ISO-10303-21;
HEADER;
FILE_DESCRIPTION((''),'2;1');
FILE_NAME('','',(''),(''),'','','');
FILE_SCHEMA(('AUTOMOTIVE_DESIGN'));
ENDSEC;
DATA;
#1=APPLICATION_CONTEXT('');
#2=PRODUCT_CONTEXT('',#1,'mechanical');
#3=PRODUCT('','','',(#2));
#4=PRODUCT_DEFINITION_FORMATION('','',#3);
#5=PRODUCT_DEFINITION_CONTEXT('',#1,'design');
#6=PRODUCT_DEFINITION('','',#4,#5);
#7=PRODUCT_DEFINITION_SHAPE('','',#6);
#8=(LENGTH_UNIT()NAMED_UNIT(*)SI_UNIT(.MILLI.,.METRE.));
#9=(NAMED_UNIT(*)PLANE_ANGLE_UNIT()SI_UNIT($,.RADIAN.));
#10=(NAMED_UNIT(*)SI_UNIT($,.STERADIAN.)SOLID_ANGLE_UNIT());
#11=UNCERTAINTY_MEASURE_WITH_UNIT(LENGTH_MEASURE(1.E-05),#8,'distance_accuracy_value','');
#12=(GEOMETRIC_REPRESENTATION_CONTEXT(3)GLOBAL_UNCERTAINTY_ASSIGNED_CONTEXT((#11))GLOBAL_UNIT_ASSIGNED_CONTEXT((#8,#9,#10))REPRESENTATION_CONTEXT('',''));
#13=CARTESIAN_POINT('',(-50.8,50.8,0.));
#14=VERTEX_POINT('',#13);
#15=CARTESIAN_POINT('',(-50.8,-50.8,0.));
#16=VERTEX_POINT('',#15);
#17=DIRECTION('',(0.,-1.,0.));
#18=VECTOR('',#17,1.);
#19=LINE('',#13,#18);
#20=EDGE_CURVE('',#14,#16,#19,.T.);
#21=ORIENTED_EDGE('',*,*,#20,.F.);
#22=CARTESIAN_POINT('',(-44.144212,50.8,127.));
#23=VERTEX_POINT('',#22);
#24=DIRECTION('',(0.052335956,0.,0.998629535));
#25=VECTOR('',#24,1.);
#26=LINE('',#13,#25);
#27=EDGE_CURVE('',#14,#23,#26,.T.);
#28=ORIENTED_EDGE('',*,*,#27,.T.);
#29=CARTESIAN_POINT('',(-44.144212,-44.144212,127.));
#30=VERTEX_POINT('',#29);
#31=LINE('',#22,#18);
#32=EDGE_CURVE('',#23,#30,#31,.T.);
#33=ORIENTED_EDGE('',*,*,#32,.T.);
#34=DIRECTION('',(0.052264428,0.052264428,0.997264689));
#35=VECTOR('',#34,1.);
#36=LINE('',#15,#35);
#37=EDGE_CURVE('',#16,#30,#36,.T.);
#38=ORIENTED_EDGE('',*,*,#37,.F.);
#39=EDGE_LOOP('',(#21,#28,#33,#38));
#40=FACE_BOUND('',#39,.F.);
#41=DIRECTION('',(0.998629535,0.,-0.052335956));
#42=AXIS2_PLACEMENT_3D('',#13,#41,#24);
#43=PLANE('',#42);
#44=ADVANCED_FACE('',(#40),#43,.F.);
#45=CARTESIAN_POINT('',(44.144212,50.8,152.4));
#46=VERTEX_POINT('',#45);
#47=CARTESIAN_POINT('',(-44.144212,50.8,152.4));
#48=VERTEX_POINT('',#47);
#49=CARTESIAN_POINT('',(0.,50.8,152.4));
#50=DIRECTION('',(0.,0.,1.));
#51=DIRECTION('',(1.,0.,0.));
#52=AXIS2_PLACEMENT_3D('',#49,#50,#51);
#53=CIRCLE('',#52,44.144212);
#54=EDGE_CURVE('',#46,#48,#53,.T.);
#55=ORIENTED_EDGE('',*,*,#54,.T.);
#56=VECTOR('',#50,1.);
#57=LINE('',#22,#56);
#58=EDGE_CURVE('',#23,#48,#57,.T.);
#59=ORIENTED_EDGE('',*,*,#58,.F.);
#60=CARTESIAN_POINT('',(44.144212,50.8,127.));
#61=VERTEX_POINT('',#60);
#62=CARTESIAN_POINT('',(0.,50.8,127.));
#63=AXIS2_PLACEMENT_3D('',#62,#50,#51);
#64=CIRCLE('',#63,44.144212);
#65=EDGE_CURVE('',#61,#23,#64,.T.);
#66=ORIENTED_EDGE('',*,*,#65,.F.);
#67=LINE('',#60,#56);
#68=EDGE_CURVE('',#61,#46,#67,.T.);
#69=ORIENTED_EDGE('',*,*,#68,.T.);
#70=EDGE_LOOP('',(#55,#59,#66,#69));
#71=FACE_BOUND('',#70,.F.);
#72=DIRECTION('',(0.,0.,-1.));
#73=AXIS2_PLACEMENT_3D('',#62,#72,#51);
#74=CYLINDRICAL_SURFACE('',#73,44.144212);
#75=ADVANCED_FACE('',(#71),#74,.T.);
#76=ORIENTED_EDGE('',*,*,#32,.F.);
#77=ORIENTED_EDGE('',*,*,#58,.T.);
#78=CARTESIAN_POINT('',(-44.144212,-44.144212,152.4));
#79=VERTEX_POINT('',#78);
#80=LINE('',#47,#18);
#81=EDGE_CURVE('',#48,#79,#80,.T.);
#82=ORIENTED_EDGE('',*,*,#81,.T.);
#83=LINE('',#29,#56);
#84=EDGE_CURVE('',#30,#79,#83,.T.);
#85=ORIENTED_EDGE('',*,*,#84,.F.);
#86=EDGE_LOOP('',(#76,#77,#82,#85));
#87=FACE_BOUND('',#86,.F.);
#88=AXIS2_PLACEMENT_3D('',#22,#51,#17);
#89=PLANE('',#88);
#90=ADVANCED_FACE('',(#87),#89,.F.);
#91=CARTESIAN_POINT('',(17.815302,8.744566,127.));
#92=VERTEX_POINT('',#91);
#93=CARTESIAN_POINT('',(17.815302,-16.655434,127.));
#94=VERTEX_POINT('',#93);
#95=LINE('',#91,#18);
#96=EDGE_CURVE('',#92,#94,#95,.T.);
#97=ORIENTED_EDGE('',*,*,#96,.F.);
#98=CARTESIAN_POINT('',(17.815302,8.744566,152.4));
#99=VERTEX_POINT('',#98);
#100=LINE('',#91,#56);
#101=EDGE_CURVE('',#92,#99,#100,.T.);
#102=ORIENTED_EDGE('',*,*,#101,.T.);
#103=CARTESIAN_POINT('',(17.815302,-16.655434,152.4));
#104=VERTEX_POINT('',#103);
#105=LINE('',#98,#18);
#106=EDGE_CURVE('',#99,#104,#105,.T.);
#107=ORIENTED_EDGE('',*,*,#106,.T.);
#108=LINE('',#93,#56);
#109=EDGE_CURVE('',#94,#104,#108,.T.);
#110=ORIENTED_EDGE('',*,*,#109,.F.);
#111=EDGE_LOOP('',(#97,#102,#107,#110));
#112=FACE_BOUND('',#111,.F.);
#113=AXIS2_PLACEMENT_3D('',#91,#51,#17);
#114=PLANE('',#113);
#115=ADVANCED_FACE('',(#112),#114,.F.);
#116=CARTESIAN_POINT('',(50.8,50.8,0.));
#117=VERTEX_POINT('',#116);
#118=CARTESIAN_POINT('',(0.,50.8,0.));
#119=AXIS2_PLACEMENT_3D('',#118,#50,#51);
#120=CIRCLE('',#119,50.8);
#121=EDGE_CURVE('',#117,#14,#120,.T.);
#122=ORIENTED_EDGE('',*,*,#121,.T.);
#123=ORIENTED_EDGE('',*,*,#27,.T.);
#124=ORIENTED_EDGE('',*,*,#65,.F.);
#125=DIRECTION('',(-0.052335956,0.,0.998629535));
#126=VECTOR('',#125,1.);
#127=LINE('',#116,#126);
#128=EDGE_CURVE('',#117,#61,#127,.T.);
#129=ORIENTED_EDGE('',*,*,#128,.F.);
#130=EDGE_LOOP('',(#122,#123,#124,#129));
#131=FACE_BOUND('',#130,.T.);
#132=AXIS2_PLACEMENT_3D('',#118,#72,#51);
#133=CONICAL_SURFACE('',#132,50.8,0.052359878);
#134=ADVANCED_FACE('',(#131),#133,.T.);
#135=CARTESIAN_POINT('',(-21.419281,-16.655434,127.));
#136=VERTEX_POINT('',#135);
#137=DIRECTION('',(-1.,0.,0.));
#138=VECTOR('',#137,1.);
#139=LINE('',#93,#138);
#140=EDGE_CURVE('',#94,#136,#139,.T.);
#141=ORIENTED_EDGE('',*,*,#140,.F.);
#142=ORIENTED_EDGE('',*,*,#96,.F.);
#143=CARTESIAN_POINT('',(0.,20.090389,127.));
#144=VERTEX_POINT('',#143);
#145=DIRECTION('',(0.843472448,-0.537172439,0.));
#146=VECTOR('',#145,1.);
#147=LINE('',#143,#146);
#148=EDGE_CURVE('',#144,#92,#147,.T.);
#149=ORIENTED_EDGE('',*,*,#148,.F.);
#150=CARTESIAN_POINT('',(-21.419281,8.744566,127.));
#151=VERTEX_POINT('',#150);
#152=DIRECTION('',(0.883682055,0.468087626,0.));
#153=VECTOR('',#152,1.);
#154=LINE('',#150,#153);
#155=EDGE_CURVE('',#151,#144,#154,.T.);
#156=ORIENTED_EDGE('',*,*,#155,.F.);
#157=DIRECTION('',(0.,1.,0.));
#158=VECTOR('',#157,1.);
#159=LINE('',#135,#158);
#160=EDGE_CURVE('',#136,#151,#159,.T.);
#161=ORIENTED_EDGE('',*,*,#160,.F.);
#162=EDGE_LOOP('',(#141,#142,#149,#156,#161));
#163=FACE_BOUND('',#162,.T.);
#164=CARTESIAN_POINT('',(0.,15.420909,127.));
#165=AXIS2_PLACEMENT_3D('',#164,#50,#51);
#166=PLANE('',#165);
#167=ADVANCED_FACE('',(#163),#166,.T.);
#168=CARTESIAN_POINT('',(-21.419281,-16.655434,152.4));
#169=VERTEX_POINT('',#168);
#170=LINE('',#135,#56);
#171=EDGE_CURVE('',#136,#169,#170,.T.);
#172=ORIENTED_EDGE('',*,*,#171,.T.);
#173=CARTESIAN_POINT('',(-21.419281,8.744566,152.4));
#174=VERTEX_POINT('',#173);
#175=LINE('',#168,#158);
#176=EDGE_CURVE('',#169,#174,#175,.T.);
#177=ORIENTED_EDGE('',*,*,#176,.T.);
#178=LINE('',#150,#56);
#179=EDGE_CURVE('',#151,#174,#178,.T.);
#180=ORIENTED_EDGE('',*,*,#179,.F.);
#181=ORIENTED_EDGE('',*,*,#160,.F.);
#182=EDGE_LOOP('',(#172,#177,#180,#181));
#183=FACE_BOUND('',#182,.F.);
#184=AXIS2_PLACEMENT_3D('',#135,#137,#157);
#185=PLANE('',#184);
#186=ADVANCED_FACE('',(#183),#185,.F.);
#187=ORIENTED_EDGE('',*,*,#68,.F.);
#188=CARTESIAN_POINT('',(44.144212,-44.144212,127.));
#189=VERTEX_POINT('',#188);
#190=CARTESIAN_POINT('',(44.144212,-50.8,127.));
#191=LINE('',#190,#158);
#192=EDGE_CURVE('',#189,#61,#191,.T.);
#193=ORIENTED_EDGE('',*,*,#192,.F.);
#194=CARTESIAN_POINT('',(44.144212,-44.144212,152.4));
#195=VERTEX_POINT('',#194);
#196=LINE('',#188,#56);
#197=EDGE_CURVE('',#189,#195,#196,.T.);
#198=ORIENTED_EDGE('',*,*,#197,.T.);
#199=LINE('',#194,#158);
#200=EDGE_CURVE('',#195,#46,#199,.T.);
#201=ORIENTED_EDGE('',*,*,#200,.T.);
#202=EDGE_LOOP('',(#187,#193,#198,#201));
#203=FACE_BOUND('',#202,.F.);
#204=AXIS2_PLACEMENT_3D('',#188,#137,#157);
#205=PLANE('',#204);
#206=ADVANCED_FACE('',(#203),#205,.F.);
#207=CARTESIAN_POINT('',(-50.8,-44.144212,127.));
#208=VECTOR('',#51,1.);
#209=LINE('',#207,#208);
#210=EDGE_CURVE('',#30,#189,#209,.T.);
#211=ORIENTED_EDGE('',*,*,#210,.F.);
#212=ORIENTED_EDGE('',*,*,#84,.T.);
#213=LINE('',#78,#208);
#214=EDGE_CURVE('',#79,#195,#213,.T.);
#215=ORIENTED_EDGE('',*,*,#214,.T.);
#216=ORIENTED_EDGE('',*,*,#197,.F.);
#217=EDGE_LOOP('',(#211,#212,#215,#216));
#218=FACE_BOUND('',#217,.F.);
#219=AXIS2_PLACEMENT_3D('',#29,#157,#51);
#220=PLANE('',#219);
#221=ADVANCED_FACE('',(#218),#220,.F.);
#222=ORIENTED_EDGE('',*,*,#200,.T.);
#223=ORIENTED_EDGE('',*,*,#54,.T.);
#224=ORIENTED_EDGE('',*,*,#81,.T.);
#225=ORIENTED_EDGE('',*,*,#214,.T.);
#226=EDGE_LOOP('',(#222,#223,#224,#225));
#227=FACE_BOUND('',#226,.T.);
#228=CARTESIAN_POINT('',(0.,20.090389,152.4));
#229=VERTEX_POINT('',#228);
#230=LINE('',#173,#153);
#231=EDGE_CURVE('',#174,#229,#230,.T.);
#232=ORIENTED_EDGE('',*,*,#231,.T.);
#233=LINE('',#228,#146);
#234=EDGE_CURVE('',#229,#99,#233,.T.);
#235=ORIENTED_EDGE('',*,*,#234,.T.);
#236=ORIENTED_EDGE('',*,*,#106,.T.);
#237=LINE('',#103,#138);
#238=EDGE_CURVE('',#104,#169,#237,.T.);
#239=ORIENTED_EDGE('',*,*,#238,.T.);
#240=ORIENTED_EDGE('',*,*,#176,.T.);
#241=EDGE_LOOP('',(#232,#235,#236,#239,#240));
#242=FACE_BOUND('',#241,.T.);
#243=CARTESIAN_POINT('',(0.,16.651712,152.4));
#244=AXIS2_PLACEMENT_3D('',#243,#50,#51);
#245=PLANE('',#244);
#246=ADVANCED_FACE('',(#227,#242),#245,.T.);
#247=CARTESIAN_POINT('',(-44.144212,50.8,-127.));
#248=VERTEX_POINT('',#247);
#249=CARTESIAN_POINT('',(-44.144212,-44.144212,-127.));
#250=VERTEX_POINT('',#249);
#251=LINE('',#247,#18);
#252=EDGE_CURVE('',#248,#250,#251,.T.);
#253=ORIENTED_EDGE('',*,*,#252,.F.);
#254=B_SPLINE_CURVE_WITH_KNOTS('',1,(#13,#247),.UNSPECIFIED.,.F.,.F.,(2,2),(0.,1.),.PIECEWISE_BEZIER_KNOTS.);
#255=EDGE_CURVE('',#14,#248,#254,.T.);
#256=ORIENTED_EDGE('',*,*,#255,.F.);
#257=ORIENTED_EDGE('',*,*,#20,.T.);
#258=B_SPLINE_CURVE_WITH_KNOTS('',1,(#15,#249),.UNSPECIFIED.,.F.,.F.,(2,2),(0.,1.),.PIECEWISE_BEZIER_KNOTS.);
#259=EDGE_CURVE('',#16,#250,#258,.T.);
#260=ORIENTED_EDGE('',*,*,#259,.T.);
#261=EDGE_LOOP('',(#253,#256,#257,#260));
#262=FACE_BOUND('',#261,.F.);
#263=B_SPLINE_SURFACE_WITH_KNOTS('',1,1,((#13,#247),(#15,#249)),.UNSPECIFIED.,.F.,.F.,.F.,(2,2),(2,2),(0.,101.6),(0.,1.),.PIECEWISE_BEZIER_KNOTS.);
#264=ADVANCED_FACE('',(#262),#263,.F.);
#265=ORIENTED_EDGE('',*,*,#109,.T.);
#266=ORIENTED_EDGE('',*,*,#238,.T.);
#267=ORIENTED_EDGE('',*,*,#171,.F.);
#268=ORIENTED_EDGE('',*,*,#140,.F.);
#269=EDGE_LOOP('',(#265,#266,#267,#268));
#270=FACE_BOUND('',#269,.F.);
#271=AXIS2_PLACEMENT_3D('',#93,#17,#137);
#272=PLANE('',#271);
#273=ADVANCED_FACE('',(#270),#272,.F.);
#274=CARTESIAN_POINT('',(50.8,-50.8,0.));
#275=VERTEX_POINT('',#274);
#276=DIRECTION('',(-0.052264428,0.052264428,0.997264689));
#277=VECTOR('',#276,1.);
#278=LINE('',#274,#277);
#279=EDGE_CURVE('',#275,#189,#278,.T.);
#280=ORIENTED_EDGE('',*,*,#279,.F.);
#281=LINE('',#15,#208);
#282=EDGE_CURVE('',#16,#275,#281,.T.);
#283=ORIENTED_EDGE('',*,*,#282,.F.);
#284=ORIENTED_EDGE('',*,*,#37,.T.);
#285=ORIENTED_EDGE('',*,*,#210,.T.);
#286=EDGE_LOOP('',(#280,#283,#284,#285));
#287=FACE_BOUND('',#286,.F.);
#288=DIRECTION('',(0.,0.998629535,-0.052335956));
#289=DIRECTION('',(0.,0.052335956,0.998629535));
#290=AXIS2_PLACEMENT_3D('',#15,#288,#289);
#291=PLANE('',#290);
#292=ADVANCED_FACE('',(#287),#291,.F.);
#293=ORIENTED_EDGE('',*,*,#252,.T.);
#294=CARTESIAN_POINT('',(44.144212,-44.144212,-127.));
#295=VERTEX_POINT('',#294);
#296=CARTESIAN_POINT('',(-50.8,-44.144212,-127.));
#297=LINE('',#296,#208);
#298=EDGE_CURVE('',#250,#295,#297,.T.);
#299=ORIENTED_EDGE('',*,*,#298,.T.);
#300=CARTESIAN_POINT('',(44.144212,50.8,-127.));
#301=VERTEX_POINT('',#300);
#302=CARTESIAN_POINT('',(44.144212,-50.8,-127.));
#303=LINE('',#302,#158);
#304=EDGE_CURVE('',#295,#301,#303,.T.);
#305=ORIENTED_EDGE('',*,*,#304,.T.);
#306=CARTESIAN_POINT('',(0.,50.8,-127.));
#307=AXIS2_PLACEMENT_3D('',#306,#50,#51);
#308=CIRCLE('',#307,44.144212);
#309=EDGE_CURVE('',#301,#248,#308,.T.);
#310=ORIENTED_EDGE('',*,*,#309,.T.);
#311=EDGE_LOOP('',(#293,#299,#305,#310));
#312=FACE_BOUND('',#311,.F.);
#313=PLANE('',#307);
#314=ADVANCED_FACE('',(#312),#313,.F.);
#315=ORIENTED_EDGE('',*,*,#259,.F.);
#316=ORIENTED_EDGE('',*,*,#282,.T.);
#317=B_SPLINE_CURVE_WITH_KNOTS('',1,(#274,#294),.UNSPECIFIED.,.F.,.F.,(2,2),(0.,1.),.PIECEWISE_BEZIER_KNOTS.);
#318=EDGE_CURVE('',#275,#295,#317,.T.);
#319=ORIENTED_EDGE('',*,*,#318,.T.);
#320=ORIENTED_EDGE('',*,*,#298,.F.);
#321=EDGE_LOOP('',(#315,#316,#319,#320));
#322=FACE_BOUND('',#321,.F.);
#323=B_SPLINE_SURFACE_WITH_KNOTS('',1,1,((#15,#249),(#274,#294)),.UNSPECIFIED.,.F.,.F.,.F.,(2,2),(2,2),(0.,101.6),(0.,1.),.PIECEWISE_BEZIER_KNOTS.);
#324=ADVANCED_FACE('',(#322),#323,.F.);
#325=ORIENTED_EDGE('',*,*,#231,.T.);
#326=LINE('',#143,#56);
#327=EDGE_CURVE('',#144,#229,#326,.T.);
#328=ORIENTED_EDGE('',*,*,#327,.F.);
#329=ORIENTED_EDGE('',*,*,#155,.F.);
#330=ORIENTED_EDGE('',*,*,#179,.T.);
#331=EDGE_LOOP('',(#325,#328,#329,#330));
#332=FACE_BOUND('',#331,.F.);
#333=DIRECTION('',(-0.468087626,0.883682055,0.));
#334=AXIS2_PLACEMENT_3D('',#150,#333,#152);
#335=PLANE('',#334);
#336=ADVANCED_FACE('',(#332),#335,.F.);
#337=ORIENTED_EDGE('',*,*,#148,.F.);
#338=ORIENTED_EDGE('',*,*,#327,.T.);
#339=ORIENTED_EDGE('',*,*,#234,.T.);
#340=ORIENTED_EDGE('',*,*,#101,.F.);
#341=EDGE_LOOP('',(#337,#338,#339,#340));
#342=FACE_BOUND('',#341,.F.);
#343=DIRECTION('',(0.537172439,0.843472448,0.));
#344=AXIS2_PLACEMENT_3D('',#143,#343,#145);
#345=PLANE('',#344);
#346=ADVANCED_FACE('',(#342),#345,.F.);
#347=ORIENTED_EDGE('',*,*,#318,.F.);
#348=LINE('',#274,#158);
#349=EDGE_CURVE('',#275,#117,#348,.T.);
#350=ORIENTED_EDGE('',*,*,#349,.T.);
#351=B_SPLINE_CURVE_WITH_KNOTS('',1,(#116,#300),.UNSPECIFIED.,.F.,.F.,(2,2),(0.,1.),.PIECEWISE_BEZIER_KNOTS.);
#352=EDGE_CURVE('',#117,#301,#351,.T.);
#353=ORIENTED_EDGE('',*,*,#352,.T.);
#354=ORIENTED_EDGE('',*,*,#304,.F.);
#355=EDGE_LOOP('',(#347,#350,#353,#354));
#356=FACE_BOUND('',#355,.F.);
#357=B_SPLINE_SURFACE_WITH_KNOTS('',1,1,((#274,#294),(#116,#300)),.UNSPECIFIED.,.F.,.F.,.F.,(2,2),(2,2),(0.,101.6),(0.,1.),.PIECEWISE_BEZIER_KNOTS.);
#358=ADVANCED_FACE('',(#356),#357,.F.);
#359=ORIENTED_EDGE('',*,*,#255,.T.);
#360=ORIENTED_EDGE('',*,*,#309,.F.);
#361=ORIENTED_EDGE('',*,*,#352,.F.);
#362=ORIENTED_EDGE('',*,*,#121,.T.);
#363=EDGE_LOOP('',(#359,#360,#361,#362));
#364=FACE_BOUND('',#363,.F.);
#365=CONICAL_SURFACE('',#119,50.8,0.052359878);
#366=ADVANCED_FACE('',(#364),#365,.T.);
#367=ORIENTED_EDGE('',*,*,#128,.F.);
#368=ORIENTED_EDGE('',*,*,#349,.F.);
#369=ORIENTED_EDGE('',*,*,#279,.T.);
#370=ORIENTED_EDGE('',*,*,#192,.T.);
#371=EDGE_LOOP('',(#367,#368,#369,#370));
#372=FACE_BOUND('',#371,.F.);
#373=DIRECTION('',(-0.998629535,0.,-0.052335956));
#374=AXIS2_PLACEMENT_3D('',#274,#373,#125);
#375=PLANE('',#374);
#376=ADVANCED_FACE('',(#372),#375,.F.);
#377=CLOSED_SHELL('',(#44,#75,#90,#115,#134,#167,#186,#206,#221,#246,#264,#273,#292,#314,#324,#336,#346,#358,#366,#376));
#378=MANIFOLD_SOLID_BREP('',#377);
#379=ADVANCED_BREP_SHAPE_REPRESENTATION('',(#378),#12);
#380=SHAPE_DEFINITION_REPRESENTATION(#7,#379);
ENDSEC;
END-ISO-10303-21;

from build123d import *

# Parameters (mm, degrees)
F1_DEPTH = 127
F1_TAPER = 3
F3_DEPTH = 25.4


with BuildPart() as f1:
    # F0 (on Top) → F1 (new body, symmetric)
    with BuildSketch(Plane.XY):
        with BuildLine():
            Line((-50.8, -50.8), (50.8, -50.8))
            Line((50.8, -50.8), (50.8, 50.8))
            ThreePointArc((50.8, 50.8), (0, 101.6), (-50.8, 50.8))
            Line((-50.8, 50.8), (-50.8, -50.8))
        make_face()
    extrude(amount=F1_DEPTH, both=True, taper=F1_TAPER)

    # F2 (on face) → F3 (join)
    with BuildSketch(Plane.XY.offset(127)):
        with BuildLine():
            ThreePointArc((44.1442120311, 50.8), (0, 94.9442120311), (-44.1442120311, 50.8))
            Line((-44.1442120311, 50.8), (-44.1442120311, -44.1442120311))
            Line((-44.1442120311, -44.1442120311), (44.1442120311, -44.1442120311))
            Line((44.1442120311, -44.1442120311), (44.1442120311, 50.8))
        make_face()
        Polygon((-21.4192807622, -16.6554342237), (-21.4192807622, 8.7445657763), (0, 20.0903888761), (17.8153019142, 8.7445657763), (17.8153019142, -16.6554342237), align=None, mode=Mode.SUBTRACT)
    extrude(amount=F3_DEPTH)


solid = f1.part
